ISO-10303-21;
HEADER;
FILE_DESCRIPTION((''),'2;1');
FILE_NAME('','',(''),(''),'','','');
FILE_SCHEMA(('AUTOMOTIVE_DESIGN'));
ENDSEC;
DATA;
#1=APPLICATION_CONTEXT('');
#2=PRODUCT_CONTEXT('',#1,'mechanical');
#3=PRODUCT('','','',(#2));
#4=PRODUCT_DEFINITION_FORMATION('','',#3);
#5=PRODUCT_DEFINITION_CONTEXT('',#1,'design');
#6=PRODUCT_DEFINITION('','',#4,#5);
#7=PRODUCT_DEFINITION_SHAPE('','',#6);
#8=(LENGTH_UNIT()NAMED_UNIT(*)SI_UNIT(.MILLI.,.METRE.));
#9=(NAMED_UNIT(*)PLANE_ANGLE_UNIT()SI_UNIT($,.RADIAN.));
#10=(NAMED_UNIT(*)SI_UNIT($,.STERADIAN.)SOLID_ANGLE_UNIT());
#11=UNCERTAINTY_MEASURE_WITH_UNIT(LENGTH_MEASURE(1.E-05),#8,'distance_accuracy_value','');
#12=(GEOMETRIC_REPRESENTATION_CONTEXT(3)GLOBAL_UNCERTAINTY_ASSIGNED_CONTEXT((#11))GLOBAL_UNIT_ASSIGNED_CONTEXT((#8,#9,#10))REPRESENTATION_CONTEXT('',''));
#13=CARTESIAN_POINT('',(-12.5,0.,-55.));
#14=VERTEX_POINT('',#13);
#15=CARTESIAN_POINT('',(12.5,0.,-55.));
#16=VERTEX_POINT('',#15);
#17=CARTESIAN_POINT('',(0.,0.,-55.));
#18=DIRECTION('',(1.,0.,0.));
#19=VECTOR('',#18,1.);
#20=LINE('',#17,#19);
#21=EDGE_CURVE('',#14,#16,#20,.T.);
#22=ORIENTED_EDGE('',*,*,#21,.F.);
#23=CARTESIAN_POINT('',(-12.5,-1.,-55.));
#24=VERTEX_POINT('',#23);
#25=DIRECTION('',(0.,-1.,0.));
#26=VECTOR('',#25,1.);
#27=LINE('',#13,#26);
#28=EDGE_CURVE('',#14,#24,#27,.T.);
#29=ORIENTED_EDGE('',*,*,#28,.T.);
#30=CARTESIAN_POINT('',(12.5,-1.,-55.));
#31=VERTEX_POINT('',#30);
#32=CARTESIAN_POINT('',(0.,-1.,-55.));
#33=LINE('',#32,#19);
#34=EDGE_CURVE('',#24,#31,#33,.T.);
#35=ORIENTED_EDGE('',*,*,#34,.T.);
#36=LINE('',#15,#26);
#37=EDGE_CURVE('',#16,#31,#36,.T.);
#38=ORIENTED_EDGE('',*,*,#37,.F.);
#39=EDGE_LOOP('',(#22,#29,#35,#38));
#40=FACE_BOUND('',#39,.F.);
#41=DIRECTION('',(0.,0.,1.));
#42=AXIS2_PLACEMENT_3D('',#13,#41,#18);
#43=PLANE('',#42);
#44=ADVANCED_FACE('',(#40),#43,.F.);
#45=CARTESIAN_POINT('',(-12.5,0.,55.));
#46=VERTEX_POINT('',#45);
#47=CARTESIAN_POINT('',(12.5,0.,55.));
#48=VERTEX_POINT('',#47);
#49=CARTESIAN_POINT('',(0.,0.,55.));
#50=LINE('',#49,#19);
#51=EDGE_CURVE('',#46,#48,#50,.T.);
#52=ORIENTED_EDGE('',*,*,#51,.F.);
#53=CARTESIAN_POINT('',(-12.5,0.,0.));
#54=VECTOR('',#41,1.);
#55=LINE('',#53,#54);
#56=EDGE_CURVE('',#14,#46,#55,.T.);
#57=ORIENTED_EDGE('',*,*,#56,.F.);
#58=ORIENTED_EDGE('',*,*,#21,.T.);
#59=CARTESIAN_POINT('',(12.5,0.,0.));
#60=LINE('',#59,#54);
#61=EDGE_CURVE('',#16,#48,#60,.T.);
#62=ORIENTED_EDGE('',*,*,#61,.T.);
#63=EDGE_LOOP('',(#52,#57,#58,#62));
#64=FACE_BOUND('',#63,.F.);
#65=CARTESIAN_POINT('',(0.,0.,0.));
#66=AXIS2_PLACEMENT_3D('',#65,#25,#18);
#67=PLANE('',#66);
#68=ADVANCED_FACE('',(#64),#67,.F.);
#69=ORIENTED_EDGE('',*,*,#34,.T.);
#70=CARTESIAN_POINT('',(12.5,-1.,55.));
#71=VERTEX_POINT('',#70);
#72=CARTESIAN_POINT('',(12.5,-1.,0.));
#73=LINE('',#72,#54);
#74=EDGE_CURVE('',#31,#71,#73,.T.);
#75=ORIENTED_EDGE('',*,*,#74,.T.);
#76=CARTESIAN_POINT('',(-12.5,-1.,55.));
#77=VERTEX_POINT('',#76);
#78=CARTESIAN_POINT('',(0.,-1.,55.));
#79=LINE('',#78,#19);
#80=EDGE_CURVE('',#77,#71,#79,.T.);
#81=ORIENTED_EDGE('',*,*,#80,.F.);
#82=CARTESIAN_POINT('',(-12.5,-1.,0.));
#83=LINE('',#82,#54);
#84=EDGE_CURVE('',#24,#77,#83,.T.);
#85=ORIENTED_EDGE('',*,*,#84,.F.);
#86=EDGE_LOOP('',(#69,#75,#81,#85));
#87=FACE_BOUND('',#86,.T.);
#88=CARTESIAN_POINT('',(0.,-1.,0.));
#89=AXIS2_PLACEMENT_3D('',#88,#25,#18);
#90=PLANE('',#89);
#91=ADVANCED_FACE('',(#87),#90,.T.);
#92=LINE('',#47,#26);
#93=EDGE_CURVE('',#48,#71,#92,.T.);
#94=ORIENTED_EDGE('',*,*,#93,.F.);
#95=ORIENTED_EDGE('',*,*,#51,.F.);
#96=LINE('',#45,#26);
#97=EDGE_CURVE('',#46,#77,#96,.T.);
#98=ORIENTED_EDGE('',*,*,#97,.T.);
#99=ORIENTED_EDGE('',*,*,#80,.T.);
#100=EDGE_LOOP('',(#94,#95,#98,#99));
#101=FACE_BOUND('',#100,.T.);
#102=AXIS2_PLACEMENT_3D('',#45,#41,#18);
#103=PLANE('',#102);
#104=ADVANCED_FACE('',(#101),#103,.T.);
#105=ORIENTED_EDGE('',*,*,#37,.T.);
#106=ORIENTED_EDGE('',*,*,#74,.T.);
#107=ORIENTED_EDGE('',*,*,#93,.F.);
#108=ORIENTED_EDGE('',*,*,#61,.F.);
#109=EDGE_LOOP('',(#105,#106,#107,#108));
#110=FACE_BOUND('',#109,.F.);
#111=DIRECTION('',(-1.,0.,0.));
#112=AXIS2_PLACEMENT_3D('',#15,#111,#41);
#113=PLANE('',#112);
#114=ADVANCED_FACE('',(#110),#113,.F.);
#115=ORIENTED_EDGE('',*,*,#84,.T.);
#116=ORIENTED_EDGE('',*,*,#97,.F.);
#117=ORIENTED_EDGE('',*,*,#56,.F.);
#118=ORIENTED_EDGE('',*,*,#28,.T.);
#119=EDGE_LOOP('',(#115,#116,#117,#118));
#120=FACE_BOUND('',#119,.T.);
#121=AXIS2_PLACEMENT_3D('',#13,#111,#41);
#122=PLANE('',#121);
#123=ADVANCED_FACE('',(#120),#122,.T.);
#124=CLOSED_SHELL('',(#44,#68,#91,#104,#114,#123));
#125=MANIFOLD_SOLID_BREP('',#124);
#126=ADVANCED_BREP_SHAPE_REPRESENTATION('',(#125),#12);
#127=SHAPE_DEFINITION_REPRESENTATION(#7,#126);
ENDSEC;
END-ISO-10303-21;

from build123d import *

# Parameters (mm, degrees)
SKETCH_W  = 25
SKETCH_H  = 110
PAD_DEPTH = 1


with BuildPart() as part:
    # Sketch → Pad (new body)
    with BuildSketch(Plane.XZ):
        Rectangle(SKETCH_W, SKETCH_H)
    extrude(amount=PAD_DEPTH)


solid = part.part
